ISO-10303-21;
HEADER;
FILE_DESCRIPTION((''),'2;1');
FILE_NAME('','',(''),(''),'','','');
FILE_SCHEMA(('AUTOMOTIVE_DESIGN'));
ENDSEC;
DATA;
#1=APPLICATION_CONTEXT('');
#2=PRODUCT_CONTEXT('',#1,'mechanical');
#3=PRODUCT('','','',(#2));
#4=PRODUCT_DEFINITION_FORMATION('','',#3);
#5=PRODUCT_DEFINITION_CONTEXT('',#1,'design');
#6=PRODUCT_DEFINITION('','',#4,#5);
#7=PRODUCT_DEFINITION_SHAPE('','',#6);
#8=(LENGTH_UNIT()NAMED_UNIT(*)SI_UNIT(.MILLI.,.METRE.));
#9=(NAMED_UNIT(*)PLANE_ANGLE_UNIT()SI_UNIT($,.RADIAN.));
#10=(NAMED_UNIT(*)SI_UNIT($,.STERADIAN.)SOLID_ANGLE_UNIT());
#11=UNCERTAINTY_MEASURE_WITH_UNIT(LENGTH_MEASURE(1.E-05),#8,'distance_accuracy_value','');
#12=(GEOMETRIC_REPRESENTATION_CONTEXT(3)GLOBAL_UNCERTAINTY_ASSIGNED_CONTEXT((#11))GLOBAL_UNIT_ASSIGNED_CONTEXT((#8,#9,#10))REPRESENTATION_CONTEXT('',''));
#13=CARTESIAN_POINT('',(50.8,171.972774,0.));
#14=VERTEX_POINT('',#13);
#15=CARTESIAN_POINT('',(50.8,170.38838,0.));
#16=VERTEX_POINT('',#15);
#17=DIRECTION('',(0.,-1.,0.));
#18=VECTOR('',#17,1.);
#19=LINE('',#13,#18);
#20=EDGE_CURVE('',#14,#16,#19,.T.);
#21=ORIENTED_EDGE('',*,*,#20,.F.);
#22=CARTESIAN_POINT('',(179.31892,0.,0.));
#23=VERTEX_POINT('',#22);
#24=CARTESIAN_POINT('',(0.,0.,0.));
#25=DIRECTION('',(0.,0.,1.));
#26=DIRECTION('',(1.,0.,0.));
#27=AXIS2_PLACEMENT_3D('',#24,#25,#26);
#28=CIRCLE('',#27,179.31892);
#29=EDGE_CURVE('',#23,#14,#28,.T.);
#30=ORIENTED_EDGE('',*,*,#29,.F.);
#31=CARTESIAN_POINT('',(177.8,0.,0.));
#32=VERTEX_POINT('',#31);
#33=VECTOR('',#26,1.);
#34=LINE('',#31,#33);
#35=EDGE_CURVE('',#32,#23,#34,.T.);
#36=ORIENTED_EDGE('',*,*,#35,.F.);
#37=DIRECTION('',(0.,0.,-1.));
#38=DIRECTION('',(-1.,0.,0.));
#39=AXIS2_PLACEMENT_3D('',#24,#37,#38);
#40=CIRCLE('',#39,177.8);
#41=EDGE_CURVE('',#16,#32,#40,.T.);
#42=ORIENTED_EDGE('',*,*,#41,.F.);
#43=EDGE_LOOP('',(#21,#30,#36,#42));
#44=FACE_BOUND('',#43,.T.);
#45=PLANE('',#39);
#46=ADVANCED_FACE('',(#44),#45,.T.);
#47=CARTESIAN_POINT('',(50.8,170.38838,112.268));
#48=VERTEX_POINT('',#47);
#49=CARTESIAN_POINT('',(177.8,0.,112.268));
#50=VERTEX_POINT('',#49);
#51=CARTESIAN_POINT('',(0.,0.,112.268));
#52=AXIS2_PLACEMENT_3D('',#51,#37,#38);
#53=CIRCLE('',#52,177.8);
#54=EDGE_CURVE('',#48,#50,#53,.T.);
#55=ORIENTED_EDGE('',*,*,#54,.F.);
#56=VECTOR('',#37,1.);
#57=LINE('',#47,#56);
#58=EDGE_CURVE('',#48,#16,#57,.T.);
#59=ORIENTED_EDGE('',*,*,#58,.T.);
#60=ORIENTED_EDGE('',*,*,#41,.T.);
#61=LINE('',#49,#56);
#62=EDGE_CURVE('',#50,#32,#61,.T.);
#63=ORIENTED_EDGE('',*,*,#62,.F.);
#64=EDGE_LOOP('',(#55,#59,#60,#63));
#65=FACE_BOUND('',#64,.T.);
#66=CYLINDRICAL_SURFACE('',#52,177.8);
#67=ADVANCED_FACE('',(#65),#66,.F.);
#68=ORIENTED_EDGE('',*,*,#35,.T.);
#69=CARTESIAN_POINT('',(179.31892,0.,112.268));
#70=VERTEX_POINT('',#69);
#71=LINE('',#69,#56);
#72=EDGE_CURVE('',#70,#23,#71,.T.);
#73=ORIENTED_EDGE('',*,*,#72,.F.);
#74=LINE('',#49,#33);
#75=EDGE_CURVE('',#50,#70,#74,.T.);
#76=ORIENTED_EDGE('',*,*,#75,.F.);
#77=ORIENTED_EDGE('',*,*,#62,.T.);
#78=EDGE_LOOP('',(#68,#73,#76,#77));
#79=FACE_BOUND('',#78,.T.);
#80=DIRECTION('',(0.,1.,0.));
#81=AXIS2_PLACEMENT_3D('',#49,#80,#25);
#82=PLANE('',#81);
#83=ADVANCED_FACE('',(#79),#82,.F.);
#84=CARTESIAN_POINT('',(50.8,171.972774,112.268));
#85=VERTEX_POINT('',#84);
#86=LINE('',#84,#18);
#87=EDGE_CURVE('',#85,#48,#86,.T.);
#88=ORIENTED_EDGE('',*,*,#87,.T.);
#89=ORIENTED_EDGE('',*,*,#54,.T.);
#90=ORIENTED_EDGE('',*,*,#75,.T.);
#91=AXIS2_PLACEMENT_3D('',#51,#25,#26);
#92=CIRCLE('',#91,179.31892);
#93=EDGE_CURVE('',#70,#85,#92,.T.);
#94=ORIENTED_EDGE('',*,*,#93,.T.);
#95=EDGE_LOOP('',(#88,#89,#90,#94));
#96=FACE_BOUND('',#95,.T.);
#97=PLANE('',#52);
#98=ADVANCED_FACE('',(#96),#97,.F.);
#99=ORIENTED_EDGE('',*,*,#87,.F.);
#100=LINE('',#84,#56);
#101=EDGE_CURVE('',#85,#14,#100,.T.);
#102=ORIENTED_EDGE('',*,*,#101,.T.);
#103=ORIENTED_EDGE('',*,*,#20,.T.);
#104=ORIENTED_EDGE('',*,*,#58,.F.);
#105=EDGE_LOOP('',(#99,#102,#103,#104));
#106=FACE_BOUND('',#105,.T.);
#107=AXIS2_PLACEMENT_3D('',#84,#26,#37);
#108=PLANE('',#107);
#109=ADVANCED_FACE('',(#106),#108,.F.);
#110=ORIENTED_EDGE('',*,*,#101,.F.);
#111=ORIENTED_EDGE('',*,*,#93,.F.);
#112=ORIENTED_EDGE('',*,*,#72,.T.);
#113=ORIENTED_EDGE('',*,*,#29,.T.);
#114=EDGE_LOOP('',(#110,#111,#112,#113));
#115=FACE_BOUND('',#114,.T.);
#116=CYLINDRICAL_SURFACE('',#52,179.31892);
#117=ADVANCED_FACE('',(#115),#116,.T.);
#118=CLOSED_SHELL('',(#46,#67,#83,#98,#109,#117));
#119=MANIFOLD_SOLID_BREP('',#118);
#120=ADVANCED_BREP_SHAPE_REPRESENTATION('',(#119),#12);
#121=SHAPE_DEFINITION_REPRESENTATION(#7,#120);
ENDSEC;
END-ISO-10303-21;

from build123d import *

# Parameters (mm, degrees)
INNER_RING_RIGHT_SIDE_DEPTH = 112.268


with BuildPart() as part:
    # Sketch2 → Inner Ring - Right Side (new body)
    with BuildSketch(Plane.XY):
        with BuildLine():
            Line((50.8, 171.972774211), (50.8, 170.388379885))
            ThreePointArc((50.8, 170.388379885), (142.557146436, 106.25582337), (177.8, 0))
            Line((177.8, 0), (179.31892, 0))
            ThreePointArc((179.31892, 0), (143.639611887, 107.344943835), (50.8, 171.972774211))
        make_face()
    extrude(amount=INNER_RING_RIGHT_SIDE_DEPTH)


solid = part.part
